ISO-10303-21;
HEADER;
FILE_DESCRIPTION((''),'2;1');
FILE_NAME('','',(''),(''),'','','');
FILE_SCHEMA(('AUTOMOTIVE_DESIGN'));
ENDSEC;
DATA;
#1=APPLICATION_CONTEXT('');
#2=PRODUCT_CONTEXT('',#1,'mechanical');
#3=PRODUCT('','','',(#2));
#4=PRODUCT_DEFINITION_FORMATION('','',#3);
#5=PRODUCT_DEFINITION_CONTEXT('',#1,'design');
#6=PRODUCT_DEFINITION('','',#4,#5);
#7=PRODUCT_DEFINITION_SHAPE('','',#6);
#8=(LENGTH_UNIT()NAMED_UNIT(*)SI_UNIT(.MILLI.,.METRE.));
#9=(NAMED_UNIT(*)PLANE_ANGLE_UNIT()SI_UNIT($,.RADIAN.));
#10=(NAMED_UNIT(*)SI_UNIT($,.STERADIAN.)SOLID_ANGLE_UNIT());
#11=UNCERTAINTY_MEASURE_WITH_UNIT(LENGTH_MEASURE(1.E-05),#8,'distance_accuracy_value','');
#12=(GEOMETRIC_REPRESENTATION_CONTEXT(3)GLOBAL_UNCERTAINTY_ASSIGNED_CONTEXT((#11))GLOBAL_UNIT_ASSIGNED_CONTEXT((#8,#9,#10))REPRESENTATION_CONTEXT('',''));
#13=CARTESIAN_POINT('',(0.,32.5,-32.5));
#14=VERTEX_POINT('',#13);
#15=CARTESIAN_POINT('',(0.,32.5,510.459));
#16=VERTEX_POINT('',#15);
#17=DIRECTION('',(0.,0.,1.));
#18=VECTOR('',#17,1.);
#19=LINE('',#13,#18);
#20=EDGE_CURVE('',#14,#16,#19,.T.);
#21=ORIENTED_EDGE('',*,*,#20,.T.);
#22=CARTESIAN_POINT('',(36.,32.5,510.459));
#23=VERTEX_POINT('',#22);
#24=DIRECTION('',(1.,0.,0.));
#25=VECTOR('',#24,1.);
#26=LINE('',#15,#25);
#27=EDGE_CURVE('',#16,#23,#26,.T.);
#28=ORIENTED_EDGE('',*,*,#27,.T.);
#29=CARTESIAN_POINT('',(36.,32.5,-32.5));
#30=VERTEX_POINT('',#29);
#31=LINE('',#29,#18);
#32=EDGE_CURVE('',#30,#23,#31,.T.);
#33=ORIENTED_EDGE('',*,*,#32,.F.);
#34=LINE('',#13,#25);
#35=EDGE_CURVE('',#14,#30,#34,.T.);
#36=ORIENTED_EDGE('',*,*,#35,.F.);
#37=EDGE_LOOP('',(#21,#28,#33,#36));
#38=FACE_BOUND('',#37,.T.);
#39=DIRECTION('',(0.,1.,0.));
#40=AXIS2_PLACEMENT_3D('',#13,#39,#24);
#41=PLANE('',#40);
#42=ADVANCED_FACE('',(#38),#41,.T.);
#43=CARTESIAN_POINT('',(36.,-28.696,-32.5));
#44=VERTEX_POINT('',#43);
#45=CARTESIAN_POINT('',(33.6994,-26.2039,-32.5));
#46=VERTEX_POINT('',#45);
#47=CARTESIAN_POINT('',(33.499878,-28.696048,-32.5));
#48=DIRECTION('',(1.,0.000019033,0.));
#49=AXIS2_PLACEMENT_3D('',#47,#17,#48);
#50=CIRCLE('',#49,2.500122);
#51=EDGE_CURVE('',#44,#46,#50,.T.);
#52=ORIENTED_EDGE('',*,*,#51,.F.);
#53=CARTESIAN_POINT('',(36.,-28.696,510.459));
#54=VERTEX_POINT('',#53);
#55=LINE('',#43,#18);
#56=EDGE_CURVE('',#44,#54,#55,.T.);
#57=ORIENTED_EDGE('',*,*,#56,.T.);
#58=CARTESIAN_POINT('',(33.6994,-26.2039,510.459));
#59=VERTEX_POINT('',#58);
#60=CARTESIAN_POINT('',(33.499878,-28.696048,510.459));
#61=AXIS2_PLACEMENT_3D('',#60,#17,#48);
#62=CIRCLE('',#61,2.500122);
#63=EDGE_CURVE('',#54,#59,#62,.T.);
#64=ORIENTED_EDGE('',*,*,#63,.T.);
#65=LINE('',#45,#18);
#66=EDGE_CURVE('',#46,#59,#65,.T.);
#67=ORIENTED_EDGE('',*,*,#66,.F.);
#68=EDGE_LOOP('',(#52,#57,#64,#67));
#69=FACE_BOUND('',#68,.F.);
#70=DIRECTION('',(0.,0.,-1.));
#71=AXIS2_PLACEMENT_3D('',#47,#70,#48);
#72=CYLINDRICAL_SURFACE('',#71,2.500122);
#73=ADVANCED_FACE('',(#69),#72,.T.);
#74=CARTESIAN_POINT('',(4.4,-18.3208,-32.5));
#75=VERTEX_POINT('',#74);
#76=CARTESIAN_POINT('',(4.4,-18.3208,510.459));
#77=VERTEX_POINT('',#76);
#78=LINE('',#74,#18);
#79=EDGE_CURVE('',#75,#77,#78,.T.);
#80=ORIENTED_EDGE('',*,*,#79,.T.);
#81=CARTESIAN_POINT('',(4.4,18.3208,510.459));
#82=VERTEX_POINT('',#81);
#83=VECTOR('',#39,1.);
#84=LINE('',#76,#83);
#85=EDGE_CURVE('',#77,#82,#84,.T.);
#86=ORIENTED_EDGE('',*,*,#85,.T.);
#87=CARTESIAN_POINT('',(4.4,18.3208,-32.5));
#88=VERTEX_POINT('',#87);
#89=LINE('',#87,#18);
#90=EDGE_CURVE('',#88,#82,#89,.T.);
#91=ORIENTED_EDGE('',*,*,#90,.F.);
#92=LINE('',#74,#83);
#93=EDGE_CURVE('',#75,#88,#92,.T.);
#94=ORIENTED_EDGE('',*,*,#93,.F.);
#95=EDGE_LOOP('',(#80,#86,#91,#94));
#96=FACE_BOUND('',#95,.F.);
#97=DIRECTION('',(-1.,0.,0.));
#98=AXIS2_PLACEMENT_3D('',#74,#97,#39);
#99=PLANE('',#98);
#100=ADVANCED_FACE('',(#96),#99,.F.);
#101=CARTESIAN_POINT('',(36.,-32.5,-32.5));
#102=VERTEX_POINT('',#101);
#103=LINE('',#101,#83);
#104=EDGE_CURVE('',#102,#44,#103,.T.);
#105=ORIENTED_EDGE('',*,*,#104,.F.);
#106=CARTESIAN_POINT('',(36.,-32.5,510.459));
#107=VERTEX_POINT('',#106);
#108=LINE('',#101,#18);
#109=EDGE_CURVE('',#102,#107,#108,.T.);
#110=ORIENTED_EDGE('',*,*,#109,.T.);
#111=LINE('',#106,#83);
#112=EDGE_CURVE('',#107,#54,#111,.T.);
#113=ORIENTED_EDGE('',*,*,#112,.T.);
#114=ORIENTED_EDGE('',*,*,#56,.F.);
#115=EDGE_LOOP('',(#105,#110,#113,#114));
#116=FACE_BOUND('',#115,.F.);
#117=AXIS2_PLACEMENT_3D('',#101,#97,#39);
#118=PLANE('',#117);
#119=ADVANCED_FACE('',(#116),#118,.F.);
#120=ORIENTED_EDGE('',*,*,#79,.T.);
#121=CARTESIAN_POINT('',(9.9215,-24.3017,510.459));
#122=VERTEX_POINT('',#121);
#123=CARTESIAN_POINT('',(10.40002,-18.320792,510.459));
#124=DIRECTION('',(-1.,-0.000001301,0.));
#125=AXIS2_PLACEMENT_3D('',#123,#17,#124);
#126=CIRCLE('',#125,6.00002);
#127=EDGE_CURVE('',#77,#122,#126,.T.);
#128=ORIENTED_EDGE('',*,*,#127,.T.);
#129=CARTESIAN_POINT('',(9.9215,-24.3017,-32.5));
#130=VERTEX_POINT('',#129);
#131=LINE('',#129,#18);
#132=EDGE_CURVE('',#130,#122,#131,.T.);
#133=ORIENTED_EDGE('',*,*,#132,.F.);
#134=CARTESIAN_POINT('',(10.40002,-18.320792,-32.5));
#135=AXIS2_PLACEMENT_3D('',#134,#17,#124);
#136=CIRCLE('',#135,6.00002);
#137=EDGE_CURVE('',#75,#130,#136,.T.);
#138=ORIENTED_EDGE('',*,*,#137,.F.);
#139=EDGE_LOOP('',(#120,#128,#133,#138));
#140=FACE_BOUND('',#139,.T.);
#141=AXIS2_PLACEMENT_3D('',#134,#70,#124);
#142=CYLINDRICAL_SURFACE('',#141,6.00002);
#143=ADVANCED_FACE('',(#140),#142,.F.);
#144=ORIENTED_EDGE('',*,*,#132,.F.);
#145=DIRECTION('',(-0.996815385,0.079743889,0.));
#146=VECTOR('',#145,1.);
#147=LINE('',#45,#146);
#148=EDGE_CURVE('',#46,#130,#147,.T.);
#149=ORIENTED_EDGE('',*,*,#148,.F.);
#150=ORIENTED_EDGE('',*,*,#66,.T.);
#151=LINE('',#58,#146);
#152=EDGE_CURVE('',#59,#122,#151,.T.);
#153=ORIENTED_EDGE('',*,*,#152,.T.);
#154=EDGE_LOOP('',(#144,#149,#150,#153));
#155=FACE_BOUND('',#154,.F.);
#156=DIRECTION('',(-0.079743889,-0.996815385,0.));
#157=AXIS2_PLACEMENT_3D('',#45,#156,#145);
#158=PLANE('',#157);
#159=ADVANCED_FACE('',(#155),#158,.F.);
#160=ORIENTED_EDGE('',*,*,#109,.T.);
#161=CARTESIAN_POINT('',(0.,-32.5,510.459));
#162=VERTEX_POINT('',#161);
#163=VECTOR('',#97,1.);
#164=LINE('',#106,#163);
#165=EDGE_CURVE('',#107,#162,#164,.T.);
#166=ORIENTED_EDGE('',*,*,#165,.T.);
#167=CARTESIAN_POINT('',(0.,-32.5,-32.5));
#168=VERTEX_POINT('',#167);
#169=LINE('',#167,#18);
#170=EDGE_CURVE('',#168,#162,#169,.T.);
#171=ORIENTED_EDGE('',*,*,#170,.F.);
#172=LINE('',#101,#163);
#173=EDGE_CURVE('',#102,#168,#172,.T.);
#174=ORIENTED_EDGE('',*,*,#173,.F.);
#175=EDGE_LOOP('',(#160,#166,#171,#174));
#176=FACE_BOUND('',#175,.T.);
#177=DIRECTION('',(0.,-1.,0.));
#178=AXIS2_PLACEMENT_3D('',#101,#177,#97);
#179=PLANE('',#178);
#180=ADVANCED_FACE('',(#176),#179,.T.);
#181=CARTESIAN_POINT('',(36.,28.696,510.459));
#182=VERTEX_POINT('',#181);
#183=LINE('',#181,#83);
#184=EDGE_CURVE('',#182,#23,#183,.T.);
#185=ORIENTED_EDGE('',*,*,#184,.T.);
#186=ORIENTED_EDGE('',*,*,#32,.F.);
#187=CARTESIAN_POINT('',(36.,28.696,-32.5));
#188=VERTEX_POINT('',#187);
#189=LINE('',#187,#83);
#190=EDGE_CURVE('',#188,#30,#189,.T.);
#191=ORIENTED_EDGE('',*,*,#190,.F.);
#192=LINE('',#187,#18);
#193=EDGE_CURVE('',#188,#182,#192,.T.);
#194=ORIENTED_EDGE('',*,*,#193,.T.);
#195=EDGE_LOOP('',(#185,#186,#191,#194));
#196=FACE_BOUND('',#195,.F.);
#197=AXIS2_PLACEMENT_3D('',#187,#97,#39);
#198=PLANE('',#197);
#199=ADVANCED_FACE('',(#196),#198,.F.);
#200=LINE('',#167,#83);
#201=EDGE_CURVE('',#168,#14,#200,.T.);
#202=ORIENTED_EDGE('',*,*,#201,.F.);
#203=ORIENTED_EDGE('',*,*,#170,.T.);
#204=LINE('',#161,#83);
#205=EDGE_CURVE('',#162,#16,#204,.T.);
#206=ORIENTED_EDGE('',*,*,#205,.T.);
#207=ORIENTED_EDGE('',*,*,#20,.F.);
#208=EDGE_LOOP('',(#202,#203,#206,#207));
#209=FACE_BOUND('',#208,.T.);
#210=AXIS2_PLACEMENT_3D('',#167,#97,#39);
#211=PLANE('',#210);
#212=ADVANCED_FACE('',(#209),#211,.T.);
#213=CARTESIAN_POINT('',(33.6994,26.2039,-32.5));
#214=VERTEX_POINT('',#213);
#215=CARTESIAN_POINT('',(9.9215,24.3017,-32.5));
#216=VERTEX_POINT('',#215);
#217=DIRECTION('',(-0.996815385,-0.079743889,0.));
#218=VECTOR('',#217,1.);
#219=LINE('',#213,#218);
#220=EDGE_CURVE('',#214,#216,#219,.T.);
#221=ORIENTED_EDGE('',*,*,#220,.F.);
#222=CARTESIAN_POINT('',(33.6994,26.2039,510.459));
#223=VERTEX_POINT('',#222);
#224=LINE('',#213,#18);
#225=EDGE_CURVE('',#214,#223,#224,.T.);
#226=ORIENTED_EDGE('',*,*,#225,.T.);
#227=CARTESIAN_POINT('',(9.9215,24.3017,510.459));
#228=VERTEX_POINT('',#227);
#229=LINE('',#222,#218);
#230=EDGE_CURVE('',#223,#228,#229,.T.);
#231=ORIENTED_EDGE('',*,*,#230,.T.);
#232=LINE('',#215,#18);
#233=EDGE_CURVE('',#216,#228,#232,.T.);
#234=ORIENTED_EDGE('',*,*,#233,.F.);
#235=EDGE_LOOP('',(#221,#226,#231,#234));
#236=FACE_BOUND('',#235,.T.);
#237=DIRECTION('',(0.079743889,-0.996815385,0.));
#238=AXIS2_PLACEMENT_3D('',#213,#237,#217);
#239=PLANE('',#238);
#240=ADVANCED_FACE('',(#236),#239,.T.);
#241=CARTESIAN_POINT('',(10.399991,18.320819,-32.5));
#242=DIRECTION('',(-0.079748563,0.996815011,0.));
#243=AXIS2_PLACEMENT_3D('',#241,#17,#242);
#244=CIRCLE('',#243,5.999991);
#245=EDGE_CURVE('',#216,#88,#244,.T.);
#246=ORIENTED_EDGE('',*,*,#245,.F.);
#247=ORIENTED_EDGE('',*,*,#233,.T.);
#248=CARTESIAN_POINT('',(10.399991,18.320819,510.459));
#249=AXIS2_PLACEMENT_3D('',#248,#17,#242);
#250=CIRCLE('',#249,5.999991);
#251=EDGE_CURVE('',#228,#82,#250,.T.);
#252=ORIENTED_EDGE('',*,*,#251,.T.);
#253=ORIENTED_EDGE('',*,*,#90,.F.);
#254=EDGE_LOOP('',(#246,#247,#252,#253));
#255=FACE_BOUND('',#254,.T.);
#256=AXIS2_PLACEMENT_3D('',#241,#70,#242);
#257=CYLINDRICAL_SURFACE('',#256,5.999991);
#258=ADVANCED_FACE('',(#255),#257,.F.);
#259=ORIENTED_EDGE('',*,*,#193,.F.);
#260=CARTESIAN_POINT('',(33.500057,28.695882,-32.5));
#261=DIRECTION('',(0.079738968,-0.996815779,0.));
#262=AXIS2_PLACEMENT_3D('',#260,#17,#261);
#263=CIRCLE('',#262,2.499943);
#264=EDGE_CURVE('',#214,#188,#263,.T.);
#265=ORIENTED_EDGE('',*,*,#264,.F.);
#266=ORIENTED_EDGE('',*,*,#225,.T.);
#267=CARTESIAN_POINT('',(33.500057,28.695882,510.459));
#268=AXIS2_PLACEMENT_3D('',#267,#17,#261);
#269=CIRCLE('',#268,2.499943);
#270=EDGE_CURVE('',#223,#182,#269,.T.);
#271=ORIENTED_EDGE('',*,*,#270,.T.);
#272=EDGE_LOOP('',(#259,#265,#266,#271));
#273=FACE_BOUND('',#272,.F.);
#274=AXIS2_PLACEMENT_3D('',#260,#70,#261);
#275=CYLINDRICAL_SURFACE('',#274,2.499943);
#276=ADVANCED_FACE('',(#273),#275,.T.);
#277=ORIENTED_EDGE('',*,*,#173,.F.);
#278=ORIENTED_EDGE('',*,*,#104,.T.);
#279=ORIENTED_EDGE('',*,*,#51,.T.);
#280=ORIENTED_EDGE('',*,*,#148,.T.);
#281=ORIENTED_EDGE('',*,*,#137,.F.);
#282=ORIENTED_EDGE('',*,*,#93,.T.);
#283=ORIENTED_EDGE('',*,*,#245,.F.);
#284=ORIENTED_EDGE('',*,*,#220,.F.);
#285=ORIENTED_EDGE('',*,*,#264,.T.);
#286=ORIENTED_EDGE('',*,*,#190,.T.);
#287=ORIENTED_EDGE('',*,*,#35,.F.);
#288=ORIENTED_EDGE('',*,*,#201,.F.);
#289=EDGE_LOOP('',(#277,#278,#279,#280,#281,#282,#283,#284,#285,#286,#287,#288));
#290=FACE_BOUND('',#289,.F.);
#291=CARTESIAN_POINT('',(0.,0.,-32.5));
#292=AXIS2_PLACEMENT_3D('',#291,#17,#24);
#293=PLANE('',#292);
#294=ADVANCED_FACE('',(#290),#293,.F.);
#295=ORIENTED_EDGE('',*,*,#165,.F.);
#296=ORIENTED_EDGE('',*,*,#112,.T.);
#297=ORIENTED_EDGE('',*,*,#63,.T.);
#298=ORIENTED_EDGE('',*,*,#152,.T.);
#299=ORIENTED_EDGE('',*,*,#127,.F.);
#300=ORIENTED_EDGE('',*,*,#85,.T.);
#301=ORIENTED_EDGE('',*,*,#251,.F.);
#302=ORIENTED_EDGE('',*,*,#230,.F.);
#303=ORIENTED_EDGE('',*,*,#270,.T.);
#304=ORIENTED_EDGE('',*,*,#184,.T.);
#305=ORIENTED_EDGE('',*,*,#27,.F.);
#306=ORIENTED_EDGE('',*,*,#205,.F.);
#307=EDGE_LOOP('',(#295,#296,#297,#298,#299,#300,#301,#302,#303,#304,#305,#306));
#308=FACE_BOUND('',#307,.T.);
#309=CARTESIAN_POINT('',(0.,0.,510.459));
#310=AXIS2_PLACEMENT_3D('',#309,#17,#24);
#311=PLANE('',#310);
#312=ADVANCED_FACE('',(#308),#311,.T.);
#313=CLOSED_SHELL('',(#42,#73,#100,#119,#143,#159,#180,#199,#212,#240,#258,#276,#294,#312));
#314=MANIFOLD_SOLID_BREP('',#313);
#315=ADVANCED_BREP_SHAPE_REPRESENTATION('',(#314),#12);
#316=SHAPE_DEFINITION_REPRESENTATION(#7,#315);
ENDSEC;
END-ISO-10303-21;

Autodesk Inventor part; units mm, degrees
ref_plane "Начальная плоскость" through (0, 0, -32.5) normal (0, 0, 1) x (1, 0, 0)
ref_plane "Конечная плоскость" through (0, 0, 510.459) normal (0, 0, 1) x (1, 0, 0)
sketch "Эскиз" plane through (0, 0, 0) normal (0, 0, 1) x (1, 0, 0)
  line L0 (36, -32.5) -> (0, -32.5)
  line L1 (36, -32.5) -> (36, -28.696)
  line L2 (33.6994, -26.2039) -> (9.9215, -24.3017)
  line L3 (4.4, -18.3208) -> (4.4, 18.3208)
  line L4 (33.6994, 26.2039) -> (9.9215, 24.3017)
  line L5 (36, 28.696) -> (36, 32.5)
  line L6 (0, 32.5) -> (36, 32.5)
  line L7 (0, -32.5) -> (0, 32.5)
  arc A0 (4.4, -18.3208) -> (9.9215, -24.3017) centre (10.4, -18.3208) ccw
  arc A1 (9.9215, 24.3017) -> (4.4, 18.3208) centre (10.4, 18.3208) ccw
  arc A2 (36, -28.696) -> (33.6994, -26.2039) centre (33.5, -28.696) ccw
  arc A3 (33.6994, 26.2039) -> (36, 28.696) centre (33.5, 28.696) ccw
  line L8 (0, 45.5) -> (0, -45.5) construction
  line L9 (-7.2974, 0) -> (43.7847, 0) construction
  point P0 (36, -26.388)
  point P1 (4.4, -23.86)
  point P2 (4.4, 23.86)
  point P3 (36, 26.388)
  dimension "d3" = 36
  dimension "d5" = 4.4
  dimension "d7" = 65
  dimension "d9" = 8.64
  dimension "d11" = 8.64
  dimension "d13" = 6.112
  dimension "d15" = 6.112
  dimension "d22" = 6
  dimension "d23" = 2.5
  dimension "d24" = 32.5
  dimension "d25" = 0
extrude "Тело" add sketch "Эскиз" along normal up to surface (542.959 mm away) from surface at -32.5
sketch "Sketch3" plane through (0, 0, 0) normal (0, 0, 1) x (1, 0, 0)
  line L0 (0, 0) -> (10, 0)
ref_plane "Work Plane7" through (0, 0, 0) normal (0, -1, 0) x (1, 0, 0)
sketch "Sketch4" plane through (0, 0, 0) normal (0, -1, 0) x (1, 0, 0)
  line L0 (-2, -32.5) -> (12, -32.5)
  line L1 (-2, 510.459) -> (12, 510.459)
  dimension "d29" = 542.959
ref_plane "РабПлоскость8" through (0, 0, 510.459) normal (0, 0, 1) x (1, 0, 0)
split "Разделение1" plane through (0, 0, 510.459) removes the side toward (0, 0, 1)
ref_plane "РабПлоскость9" through (18, 177.5, -32.5) normal (0, 0, -1) x (-1, 0, 0)
split "Разделение2" plane through (18, 177.5, -32.5) removes the side toward (0, 0, -1)
equation "\"d3\" = b"
equation "\"d5\" = t1"
equation "\"d7\" = ParH"
equation "\"d9\" = msp_x1 + t2"
equation "\"d11\" = msp_x1 + t2"
equation "\"d13\" = -msp_x2 + t2"
equation "\"d15\" = -msp_x2 + t2"
equation "\"d22\" = R"
equation "\"d23\" = R1"
equation "\"d24\" = 0.5 * d7"
equation "\"d16\" = G_L"
equation "\"R1\" = 2.5"
equation "\"R\" = 6"
equation "\"t1\" = 4.4"
equation "\"t2\" = 7.2"
equation "\"ParH\" = 65"
equation "\"b\" = 36"
equation "\"msp_x1\" = 0.04 * b"
equation "\"msp_x2\" = -0.08 * t1 + 0.04 * b"
equation "\"G_L\" = d29"
equation "\"ex\" = 0"
equation "\"G_OFFSET_START\" = 32.5"
equation "\"G_OFFSET_END\" = -36"
equation "\"d26\" = -G_OFFSET_START"
equation "\"d27\" = G_OFFSET_END + B_L"
equation "\"B_L\" = 546.459"
properties part number "Швеллер 6.5U-542,96 ГОСТ 8240-97"
